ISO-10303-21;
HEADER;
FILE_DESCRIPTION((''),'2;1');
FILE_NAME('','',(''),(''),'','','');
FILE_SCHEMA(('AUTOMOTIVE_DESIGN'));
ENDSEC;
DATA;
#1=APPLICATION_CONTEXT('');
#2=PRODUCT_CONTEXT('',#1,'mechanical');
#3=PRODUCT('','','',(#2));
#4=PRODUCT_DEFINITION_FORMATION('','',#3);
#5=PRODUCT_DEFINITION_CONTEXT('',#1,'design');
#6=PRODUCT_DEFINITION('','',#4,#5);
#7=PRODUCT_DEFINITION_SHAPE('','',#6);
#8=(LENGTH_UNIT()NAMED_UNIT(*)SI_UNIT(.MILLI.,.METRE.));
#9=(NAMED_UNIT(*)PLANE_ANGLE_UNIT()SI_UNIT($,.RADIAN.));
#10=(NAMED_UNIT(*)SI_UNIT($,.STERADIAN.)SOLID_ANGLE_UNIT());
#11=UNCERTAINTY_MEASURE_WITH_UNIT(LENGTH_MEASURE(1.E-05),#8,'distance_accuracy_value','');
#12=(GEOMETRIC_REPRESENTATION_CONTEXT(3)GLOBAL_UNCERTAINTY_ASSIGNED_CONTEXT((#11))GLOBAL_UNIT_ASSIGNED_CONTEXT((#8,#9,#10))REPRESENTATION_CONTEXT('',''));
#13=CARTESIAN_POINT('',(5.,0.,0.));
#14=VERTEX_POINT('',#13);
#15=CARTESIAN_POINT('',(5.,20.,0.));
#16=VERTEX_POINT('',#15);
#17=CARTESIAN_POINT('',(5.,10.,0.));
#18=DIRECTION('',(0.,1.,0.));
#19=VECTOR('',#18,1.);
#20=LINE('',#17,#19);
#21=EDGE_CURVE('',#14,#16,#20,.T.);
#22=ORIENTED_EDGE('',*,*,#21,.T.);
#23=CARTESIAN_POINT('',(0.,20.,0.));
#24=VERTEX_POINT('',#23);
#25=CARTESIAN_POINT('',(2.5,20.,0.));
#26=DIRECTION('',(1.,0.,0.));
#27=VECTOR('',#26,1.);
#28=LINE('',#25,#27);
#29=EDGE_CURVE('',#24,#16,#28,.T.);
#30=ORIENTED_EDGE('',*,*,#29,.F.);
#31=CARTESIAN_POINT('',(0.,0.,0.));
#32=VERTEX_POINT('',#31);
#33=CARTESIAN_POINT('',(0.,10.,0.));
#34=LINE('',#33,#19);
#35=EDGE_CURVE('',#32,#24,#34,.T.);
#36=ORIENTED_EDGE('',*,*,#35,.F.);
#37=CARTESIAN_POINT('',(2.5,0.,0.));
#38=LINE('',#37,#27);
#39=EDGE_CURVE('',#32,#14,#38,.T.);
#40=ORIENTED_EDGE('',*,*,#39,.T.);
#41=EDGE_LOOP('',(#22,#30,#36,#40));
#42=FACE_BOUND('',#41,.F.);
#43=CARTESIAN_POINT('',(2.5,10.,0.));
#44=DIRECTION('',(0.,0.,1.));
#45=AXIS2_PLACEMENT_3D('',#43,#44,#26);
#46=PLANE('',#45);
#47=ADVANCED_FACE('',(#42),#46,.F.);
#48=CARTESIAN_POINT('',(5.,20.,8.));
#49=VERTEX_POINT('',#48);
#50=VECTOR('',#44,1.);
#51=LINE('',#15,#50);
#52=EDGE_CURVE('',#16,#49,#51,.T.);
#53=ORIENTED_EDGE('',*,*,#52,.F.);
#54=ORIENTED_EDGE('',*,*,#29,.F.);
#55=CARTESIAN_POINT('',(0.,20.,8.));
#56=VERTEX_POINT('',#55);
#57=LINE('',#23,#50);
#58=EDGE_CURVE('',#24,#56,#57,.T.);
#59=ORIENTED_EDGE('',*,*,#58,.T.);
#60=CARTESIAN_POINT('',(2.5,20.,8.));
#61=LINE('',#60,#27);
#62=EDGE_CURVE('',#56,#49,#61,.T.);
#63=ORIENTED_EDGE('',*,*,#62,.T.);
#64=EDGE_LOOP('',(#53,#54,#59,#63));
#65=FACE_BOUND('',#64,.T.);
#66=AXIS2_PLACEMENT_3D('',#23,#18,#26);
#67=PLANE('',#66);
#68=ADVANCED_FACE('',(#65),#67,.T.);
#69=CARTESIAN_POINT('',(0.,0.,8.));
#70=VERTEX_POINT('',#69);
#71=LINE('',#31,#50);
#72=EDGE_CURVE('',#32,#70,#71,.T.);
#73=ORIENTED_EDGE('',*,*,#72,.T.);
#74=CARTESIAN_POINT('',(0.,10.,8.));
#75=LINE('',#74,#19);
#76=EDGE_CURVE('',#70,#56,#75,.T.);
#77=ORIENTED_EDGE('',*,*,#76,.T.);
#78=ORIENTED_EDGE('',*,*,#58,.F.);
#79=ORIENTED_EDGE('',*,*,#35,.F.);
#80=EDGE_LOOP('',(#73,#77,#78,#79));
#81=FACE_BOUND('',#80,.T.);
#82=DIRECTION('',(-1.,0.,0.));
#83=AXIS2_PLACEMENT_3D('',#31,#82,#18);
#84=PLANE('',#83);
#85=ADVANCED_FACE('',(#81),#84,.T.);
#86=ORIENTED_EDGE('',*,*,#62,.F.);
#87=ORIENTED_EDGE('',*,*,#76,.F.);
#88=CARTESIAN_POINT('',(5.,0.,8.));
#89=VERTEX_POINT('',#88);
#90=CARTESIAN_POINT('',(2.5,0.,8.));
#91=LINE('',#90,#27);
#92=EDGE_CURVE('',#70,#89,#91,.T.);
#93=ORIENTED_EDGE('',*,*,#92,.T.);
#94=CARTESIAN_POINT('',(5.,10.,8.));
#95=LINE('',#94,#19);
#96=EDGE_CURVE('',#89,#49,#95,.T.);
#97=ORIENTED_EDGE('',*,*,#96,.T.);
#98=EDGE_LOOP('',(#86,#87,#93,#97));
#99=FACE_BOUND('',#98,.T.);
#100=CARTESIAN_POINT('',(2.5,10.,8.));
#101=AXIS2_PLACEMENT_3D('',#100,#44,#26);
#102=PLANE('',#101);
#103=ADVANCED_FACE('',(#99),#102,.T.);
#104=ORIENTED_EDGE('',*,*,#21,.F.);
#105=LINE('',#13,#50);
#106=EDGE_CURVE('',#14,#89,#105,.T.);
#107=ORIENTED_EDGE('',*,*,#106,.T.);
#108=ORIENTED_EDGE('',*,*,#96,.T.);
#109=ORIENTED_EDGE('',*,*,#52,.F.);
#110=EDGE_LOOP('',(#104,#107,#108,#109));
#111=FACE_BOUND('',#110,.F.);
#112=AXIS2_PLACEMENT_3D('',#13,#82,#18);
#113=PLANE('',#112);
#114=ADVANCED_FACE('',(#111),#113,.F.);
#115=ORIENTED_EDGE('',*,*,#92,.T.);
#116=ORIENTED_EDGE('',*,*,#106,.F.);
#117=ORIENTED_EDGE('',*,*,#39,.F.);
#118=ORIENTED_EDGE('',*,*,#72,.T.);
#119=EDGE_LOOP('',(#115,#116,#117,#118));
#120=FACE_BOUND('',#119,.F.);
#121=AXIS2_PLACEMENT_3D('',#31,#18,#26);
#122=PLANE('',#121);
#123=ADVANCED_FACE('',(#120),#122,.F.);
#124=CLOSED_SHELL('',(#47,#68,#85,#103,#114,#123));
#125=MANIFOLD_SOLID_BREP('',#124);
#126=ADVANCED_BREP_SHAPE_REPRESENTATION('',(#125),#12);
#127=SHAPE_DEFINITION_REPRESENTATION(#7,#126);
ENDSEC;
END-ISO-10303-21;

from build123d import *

# Parameters (mm, degrees)
BOX_W     = 5
BOX_H     = 20
BOX_DEPTH = 8


with BuildPart() as part:
    # Box → Box (new body)
    with BuildSketch(Plane.XY):
        with Locations((2.5, 10)):
            Rectangle(BOX_W, BOX_H)
    extrude(amount=BOX_DEPTH)


solid = part.part
